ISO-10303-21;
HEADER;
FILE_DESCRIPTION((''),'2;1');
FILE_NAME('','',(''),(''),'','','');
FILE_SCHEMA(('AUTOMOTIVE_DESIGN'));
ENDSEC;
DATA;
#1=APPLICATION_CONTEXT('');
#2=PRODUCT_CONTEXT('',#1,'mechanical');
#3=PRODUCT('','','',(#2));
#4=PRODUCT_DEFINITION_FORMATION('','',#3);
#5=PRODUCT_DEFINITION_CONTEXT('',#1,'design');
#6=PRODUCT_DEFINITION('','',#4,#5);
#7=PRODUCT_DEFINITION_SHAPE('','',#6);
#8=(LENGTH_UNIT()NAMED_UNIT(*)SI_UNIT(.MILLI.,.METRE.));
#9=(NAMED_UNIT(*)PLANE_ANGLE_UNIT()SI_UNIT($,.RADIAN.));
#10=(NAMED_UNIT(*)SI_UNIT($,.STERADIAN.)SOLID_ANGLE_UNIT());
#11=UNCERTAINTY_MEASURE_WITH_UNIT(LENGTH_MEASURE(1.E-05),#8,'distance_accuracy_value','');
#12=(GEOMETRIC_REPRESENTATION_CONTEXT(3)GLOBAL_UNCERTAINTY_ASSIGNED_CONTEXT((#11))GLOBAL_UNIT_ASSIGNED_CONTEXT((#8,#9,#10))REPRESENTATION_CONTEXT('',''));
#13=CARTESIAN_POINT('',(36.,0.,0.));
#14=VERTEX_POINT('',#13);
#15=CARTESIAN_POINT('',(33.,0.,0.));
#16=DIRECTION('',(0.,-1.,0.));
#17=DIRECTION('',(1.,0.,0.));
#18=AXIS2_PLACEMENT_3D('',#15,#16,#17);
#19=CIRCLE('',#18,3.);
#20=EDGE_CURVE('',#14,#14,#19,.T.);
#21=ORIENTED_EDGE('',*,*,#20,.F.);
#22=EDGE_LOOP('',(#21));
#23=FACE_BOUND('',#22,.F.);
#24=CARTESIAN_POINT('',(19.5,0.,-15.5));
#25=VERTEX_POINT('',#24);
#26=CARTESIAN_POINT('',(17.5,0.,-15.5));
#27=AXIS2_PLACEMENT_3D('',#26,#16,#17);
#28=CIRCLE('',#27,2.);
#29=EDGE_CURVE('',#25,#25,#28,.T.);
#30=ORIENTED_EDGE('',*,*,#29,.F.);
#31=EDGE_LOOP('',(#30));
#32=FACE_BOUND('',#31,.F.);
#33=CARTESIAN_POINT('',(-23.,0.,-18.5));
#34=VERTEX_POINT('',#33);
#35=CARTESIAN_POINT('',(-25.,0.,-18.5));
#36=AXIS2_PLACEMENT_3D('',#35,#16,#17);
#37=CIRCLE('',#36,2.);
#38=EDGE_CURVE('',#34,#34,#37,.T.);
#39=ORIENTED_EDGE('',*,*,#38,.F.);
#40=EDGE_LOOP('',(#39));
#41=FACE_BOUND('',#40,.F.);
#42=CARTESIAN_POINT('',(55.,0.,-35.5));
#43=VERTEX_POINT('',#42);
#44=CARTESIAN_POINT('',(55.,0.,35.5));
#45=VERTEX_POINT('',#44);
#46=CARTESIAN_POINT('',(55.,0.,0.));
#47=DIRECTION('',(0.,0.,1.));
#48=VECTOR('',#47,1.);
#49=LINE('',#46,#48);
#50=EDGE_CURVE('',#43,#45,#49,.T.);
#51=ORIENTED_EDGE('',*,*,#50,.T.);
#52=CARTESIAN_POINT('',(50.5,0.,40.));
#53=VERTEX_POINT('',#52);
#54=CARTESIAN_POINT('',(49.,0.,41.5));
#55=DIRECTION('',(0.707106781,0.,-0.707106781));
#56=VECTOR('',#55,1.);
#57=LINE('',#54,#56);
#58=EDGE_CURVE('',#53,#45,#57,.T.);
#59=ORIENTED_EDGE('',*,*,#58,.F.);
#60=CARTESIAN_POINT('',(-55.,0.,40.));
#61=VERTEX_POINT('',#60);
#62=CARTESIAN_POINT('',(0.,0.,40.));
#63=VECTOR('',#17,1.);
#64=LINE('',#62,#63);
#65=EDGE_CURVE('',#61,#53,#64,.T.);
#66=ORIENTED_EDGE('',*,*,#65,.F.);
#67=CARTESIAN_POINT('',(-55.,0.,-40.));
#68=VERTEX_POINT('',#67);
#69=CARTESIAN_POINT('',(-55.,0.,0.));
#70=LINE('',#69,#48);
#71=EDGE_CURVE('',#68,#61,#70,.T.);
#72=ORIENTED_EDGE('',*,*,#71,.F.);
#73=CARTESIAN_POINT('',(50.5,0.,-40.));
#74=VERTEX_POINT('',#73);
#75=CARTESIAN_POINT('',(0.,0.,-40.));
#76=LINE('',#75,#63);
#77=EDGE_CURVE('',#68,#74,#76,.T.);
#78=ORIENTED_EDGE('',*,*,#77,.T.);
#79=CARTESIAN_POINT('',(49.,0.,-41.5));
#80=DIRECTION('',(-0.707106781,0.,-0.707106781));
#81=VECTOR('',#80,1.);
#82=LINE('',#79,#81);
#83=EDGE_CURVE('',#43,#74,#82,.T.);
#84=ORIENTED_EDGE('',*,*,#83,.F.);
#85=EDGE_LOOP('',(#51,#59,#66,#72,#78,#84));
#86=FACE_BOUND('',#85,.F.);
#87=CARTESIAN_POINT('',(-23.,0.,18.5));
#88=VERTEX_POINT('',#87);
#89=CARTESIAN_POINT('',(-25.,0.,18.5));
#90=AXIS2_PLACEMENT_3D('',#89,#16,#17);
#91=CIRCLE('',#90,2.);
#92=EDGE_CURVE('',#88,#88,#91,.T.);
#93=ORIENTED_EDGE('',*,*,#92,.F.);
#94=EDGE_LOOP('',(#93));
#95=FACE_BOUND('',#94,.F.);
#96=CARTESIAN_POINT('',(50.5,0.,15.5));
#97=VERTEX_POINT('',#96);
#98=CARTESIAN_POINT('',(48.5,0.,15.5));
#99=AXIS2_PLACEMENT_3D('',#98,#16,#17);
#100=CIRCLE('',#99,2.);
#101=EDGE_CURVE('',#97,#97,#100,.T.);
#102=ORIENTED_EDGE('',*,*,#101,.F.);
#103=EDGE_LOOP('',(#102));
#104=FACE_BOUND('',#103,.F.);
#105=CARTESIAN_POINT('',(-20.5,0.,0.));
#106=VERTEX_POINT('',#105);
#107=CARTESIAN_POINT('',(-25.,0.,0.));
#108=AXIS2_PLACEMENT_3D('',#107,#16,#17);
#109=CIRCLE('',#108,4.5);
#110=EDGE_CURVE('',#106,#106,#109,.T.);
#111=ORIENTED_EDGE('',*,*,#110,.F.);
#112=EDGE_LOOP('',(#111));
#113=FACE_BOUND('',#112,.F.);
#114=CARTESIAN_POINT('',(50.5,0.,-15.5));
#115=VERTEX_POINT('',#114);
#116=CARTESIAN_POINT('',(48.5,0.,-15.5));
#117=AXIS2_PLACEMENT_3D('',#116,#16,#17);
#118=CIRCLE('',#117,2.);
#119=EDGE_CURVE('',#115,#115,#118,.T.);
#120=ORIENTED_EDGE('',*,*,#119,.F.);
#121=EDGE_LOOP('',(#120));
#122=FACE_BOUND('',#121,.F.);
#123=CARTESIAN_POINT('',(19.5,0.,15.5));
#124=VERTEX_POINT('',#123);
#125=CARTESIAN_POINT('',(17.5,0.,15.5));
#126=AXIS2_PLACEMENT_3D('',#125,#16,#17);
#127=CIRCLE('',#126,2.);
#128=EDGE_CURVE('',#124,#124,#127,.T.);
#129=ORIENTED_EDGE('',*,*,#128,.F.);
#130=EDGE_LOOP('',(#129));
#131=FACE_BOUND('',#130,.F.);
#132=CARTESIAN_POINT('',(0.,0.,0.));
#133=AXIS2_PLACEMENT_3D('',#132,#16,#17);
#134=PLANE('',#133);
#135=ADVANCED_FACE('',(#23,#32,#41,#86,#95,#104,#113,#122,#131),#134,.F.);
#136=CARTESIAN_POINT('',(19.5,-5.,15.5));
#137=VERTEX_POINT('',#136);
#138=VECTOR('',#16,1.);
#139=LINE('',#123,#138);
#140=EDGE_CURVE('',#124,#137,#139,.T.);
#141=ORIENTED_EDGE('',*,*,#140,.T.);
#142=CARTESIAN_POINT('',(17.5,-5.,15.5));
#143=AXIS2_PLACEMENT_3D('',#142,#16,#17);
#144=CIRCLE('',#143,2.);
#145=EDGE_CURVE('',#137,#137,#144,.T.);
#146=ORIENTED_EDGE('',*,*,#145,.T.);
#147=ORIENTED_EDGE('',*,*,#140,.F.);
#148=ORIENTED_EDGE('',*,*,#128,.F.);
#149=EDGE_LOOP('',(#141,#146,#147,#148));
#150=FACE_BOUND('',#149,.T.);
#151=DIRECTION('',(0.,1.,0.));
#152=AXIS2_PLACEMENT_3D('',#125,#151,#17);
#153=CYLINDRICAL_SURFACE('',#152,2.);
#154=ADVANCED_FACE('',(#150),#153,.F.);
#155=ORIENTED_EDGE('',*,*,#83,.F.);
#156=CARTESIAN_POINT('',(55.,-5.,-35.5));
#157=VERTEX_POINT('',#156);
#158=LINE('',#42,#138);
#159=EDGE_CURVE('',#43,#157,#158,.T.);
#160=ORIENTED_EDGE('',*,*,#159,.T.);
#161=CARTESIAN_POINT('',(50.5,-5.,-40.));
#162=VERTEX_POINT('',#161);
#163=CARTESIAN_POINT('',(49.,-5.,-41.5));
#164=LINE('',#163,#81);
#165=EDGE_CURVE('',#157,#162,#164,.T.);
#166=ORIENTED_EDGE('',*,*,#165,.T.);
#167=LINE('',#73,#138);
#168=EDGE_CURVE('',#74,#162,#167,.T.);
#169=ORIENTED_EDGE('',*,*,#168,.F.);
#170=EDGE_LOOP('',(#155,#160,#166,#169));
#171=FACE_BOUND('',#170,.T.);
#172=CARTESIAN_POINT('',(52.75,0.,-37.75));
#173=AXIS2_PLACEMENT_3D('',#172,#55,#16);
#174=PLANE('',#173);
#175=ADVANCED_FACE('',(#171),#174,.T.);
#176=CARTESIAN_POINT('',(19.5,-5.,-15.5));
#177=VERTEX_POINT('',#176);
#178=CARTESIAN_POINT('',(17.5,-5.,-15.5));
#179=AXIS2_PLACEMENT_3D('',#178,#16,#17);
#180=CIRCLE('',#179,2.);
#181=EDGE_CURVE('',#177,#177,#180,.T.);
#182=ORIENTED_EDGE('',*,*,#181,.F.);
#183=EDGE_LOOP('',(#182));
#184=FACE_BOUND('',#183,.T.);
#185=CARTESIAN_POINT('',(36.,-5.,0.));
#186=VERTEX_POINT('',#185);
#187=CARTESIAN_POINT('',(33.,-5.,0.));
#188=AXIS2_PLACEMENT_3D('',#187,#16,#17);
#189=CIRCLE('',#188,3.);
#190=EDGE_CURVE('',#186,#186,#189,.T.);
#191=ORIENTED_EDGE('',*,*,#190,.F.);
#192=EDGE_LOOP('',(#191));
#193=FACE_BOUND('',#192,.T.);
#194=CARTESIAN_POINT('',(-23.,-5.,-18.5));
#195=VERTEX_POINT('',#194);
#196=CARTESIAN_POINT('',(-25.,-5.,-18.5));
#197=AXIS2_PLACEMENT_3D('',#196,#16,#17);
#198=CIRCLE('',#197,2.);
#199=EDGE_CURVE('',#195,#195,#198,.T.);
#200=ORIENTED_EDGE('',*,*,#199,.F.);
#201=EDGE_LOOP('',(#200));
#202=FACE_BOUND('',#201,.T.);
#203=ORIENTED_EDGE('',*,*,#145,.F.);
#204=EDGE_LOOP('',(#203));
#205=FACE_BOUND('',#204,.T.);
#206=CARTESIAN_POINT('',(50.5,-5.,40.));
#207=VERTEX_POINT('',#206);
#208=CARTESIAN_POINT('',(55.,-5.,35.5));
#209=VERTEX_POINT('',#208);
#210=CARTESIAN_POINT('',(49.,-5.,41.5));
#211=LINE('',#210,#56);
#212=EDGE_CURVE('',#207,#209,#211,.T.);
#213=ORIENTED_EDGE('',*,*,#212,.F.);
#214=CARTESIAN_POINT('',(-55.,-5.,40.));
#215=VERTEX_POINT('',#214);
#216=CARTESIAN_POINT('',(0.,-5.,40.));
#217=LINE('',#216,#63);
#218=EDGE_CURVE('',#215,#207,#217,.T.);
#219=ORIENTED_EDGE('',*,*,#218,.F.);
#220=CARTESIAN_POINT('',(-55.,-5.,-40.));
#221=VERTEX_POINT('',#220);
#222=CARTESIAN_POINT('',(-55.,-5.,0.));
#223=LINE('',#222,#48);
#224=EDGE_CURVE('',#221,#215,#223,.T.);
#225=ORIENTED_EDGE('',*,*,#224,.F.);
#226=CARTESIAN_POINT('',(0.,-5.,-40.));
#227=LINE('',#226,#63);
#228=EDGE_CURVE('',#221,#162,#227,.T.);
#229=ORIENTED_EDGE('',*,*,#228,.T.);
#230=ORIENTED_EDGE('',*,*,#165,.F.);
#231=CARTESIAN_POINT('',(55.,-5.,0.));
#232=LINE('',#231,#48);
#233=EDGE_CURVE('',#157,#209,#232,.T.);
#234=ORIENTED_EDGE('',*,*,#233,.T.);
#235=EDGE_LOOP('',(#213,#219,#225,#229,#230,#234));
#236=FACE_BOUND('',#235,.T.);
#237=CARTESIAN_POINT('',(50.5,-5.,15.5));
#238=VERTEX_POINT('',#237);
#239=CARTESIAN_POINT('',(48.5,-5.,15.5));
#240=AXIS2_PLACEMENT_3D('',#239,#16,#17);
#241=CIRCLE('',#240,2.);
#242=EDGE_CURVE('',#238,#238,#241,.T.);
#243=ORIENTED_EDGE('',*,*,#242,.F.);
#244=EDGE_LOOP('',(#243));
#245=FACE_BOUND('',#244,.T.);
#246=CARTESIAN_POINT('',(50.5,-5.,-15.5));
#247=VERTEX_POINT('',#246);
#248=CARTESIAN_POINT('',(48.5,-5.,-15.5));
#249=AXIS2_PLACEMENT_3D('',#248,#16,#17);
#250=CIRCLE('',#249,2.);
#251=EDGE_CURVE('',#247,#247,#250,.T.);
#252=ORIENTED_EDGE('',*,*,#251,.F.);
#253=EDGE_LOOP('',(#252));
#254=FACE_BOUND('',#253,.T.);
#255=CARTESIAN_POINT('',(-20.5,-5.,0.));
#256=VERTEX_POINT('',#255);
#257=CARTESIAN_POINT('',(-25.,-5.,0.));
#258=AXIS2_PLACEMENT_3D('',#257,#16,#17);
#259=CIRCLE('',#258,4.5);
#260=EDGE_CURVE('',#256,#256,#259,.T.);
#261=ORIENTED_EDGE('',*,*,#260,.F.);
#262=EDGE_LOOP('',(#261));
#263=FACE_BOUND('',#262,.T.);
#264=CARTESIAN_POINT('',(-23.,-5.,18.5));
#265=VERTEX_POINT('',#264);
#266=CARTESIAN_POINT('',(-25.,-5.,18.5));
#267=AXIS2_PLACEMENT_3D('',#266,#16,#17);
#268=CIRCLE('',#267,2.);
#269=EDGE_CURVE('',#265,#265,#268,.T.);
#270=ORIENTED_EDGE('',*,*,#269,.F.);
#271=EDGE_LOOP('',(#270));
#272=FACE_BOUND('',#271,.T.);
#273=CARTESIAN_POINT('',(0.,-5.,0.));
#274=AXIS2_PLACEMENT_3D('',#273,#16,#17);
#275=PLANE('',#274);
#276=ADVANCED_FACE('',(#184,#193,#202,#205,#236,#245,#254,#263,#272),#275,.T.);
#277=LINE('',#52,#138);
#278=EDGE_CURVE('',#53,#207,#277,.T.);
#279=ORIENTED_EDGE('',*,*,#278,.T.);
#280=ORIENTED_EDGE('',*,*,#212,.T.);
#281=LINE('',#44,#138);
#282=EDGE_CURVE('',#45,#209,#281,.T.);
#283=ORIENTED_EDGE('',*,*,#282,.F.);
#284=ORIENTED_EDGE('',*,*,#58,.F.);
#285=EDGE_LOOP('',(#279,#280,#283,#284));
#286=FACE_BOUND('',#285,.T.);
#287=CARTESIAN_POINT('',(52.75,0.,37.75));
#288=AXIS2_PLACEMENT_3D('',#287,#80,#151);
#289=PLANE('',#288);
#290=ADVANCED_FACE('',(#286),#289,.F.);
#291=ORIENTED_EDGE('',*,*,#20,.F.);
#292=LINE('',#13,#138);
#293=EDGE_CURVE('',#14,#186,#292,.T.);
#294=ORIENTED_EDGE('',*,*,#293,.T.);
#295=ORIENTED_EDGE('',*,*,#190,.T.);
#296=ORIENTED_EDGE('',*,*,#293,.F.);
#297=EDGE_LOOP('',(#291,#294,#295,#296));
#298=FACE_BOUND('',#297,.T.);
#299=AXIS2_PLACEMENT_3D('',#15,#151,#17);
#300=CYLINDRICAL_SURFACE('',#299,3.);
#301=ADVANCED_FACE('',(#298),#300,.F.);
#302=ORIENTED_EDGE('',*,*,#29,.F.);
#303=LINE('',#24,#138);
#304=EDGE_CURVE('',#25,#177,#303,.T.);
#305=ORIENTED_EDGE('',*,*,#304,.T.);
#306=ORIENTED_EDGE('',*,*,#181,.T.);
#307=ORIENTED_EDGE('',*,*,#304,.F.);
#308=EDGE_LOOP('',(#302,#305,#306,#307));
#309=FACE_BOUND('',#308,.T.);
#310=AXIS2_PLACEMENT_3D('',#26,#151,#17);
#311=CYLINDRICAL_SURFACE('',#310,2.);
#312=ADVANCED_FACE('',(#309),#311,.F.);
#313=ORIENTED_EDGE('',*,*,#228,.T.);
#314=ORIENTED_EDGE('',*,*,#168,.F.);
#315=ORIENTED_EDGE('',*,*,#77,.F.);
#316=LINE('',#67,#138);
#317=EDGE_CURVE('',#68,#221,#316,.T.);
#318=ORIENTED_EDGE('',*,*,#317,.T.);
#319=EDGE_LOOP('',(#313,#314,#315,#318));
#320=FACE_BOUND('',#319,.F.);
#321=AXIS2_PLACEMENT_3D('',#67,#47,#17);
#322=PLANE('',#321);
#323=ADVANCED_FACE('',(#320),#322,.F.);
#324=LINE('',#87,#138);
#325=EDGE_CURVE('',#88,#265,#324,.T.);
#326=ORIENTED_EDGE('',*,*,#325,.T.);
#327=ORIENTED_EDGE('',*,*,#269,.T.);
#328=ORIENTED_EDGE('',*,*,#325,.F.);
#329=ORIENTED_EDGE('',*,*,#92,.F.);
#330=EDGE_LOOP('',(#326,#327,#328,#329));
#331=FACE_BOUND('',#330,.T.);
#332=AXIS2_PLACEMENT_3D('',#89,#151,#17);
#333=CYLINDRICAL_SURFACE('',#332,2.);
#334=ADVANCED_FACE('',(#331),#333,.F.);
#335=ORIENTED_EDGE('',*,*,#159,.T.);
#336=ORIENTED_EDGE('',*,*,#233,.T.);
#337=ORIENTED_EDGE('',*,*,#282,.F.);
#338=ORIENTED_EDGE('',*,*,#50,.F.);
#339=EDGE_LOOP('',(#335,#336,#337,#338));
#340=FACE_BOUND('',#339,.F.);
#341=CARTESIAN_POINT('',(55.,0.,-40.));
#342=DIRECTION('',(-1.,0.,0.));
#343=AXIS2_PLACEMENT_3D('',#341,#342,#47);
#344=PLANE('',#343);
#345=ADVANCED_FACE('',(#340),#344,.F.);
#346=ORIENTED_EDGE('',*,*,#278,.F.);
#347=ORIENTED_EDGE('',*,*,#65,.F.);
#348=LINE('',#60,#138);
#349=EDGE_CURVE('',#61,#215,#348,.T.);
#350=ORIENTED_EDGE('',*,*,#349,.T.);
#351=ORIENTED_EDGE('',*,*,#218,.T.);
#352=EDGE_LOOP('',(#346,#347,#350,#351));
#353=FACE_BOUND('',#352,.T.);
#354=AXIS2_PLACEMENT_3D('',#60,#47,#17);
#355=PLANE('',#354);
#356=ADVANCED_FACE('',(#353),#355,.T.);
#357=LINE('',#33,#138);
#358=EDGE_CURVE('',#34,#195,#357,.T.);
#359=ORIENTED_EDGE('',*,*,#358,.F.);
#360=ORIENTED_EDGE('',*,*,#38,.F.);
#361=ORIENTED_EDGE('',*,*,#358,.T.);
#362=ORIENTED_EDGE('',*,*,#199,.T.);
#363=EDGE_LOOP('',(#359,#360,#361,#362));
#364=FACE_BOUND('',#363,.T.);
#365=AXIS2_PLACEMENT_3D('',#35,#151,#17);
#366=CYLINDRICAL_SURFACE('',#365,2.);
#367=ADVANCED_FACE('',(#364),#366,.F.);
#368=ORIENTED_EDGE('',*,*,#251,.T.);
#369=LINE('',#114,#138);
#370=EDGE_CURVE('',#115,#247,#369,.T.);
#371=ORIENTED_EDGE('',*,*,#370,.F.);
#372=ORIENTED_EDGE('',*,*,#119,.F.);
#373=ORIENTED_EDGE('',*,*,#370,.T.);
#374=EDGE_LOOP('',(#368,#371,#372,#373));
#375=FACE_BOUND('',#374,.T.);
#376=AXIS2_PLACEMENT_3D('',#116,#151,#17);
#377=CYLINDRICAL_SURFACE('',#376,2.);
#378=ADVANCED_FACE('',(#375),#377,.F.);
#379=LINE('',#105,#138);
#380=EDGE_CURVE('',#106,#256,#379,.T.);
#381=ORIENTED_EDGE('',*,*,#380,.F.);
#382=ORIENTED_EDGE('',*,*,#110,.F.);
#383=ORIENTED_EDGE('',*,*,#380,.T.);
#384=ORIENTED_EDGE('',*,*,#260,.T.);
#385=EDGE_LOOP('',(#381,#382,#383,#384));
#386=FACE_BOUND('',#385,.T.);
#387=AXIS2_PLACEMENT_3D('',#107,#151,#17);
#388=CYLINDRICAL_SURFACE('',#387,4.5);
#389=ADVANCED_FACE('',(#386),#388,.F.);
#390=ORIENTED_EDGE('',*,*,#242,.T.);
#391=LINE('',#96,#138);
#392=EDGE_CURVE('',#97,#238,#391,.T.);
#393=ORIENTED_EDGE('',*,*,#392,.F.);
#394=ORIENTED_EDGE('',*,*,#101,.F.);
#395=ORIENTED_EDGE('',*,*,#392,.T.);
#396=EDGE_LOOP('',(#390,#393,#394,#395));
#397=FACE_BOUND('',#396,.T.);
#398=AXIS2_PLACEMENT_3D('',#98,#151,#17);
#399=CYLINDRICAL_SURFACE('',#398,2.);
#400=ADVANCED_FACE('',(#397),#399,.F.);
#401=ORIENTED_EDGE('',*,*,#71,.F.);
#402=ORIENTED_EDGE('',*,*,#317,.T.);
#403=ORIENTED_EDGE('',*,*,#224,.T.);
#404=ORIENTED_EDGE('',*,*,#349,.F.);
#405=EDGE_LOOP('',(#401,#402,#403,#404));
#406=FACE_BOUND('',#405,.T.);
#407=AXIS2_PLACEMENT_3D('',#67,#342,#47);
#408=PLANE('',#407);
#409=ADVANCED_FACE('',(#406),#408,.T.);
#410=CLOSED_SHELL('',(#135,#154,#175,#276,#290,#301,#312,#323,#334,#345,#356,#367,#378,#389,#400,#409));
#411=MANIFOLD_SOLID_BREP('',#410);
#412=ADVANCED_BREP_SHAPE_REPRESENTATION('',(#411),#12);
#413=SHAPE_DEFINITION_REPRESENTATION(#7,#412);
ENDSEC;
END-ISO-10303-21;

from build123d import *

# Parameters (mm, degrees)
F0_W     = 110
F0_H     = 80
F0_R     = 2
F0_R_2   = 4.5
F0_R_3   = 3
F1_DEPTH = 5
F2_SIZE  = 4.5
F3_SIZE  = 4.5


with BuildPart() as f1:
    # F0 (on Front) → F1 (new body)
    with BuildSketch(Plane.XZ):
        Rectangle(F0_W, F0_H)
        with Locations((-25, -18.5)):
            Circle(F0_R, mode=Mode.SUBTRACT)
        with Locations((17.5, -15.5)):
            Circle(F0_R, mode=Mode.SUBTRACT)
        with Locations((48.5, -15.5)):
            Circle(F0_R, mode=Mode.SUBTRACT)
        with Locations((-25, 0)):
            Circle(F0_R_2, mode=Mode.SUBTRACT)
        with Locations((-25, 18.5)):
            Circle(F0_R, mode=Mode.SUBTRACT)
        with Locations((17.5, 15.5)):
            Circle(F0_R, mode=Mode.SUBTRACT)
        with Locations((33, 0)):
            Circle(F0_R_3, mode=Mode.SUBTRACT)
        with Locations((48.5, 15.5)):
            Circle(F0_R, mode=Mode.SUBTRACT)
    extrude(amount=F1_DEPTH)

    # F2
    f2_edges = [f1.edges().sort_by_distance(p)[0] for p in [
        (55, -2.5, 40),
    ]]
    chamfer(f2_edges, length=F2_SIZE)

    # F3
    f3_edges = [f1.edges().sort_by_distance(p)[0] for p in [
        (55, -2.5, -40),
    ]]
    chamfer(f3_edges, length=F3_SIZE)


solid = f1.part
